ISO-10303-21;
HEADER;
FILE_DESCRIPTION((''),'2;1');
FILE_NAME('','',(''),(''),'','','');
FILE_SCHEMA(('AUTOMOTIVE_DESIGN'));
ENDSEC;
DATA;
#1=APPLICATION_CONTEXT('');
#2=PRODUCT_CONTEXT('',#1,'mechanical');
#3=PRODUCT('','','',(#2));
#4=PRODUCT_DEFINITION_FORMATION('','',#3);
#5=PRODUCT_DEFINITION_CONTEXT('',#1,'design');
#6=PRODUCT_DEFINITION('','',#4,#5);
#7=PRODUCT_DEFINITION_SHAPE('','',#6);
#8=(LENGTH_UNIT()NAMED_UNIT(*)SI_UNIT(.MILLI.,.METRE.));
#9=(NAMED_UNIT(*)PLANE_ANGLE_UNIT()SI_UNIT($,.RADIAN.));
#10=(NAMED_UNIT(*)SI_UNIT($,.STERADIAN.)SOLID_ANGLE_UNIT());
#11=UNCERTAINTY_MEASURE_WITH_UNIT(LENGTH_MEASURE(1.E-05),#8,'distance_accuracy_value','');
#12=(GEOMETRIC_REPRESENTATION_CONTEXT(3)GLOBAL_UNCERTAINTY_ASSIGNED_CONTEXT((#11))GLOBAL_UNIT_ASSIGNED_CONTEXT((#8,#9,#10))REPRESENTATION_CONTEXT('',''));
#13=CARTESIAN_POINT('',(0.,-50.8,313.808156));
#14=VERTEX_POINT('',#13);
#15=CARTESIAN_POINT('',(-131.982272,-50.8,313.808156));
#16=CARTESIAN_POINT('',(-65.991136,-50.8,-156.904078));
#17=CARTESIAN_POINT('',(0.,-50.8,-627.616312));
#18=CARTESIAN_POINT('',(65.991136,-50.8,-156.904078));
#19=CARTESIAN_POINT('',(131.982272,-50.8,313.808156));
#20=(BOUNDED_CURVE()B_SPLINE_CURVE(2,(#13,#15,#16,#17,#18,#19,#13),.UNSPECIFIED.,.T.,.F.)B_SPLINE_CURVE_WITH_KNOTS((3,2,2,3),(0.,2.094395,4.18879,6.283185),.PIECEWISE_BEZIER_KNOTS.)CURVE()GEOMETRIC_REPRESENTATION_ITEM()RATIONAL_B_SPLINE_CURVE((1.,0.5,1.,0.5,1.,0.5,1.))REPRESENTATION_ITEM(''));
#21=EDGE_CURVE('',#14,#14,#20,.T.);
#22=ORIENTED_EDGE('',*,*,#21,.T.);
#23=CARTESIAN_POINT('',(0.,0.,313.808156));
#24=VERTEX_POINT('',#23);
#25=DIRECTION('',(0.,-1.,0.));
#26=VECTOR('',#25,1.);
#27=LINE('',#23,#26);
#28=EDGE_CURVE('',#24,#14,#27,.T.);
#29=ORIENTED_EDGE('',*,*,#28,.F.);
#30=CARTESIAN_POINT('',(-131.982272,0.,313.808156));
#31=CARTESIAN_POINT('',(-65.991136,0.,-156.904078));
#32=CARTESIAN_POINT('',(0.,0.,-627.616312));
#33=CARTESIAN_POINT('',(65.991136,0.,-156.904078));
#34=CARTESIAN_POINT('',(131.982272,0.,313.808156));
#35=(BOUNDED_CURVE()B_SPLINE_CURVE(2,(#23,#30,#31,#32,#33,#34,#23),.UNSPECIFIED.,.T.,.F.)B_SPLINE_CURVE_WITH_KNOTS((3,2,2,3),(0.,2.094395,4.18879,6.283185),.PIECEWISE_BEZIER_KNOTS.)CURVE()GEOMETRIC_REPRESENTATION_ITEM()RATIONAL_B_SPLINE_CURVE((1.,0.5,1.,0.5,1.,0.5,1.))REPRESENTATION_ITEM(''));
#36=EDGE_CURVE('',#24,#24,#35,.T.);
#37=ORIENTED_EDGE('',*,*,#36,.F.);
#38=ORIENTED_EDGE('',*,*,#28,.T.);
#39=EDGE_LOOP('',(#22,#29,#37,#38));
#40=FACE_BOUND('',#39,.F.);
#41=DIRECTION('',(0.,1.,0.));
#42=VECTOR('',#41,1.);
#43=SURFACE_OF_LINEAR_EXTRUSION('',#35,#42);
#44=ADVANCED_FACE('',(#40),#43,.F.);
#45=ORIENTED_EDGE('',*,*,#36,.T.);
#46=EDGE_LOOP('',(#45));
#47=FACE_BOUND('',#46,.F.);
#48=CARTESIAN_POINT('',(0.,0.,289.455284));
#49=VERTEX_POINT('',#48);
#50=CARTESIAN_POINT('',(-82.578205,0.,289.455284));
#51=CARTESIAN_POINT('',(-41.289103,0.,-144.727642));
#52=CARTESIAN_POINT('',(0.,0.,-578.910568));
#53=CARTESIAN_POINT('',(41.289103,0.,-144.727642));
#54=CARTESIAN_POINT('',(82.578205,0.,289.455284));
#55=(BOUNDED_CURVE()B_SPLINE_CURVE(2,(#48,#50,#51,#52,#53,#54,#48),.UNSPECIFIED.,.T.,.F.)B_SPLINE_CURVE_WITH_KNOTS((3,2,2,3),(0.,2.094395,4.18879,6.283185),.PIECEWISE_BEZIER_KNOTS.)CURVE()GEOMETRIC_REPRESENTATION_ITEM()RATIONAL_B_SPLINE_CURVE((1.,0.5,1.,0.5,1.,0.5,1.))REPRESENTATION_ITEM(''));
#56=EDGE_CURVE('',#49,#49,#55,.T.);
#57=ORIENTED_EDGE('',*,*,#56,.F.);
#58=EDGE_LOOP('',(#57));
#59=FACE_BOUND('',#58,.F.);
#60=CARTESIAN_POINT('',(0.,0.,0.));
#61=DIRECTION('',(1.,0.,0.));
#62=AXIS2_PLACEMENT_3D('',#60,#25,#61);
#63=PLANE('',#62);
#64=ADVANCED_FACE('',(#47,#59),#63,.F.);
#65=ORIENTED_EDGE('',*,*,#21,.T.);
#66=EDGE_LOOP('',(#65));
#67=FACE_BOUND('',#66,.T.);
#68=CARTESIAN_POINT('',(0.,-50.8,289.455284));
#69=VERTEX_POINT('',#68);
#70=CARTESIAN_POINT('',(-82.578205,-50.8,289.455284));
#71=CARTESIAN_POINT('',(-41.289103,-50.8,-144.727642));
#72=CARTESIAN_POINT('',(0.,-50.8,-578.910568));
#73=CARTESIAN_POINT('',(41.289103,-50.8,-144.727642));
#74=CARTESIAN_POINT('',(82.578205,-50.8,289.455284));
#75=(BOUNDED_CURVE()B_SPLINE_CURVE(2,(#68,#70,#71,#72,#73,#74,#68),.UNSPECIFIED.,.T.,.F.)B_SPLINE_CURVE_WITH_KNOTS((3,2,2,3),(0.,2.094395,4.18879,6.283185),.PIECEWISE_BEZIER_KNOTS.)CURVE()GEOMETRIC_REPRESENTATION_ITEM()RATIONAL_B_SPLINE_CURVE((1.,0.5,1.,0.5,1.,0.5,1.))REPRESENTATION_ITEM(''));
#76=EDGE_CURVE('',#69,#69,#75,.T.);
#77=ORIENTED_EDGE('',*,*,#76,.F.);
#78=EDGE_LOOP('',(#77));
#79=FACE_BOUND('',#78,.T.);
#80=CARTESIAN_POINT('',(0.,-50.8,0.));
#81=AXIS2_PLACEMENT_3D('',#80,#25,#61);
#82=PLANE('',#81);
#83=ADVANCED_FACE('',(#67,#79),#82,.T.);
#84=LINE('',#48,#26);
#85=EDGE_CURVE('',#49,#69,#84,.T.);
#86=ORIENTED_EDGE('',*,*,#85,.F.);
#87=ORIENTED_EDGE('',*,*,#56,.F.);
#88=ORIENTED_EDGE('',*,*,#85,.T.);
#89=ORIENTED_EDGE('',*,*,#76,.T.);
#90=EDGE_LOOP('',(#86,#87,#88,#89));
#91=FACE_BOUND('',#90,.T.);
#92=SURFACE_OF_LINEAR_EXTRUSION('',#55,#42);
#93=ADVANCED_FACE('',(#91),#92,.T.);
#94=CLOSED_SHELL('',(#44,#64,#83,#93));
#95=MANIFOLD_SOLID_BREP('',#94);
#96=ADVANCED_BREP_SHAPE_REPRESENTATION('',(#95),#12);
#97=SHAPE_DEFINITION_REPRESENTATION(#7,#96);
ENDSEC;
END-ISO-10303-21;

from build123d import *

# Parameters (mm, degrees)
F1_DEPTH = 50.8


with BuildPart() as f1:
    # F0 (on Front) → F1 (new body)
    with BuildSketch(Plane.XZ):
        with BuildLine():
            add(Edge.make_bspline(
                [(0, 313.808156), (-131.982272, 313.808156), (-65.991136, -156.904078), (0, -627.616312), (65.991136, -156.904078), (131.982272, 313.808156), (0, 313.808156)],
                knots=[0, 0, 0, 2.094395, 2.094395, 4.18879, 4.18879, 6.283185, 6.283185, 6.283185], degree=2, weights=[1, 0.5, 1, 0.5, 1, 0.5, 1]))
        make_face()
        with BuildLine():
            add(Edge.make_bspline(
                [(0, 289.455284), (-82.578205, 289.455284), (-41.289103, -144.727642), (0, -578.910568), (41.289103, -144.727642), (82.578205, 289.455284), (0, 289.455284)],
                knots=[0, 0, 0, 2.094395, 2.094395, 4.18879, 4.18879, 6.283185, 6.283185, 6.283185], degree=2, weights=[1, 0.5, 1, 0.5, 1, 0.5, 1]))
        make_face(mode=Mode.SUBTRACT)
    extrude(amount=F1_DEPTH)


solid = f1.part
